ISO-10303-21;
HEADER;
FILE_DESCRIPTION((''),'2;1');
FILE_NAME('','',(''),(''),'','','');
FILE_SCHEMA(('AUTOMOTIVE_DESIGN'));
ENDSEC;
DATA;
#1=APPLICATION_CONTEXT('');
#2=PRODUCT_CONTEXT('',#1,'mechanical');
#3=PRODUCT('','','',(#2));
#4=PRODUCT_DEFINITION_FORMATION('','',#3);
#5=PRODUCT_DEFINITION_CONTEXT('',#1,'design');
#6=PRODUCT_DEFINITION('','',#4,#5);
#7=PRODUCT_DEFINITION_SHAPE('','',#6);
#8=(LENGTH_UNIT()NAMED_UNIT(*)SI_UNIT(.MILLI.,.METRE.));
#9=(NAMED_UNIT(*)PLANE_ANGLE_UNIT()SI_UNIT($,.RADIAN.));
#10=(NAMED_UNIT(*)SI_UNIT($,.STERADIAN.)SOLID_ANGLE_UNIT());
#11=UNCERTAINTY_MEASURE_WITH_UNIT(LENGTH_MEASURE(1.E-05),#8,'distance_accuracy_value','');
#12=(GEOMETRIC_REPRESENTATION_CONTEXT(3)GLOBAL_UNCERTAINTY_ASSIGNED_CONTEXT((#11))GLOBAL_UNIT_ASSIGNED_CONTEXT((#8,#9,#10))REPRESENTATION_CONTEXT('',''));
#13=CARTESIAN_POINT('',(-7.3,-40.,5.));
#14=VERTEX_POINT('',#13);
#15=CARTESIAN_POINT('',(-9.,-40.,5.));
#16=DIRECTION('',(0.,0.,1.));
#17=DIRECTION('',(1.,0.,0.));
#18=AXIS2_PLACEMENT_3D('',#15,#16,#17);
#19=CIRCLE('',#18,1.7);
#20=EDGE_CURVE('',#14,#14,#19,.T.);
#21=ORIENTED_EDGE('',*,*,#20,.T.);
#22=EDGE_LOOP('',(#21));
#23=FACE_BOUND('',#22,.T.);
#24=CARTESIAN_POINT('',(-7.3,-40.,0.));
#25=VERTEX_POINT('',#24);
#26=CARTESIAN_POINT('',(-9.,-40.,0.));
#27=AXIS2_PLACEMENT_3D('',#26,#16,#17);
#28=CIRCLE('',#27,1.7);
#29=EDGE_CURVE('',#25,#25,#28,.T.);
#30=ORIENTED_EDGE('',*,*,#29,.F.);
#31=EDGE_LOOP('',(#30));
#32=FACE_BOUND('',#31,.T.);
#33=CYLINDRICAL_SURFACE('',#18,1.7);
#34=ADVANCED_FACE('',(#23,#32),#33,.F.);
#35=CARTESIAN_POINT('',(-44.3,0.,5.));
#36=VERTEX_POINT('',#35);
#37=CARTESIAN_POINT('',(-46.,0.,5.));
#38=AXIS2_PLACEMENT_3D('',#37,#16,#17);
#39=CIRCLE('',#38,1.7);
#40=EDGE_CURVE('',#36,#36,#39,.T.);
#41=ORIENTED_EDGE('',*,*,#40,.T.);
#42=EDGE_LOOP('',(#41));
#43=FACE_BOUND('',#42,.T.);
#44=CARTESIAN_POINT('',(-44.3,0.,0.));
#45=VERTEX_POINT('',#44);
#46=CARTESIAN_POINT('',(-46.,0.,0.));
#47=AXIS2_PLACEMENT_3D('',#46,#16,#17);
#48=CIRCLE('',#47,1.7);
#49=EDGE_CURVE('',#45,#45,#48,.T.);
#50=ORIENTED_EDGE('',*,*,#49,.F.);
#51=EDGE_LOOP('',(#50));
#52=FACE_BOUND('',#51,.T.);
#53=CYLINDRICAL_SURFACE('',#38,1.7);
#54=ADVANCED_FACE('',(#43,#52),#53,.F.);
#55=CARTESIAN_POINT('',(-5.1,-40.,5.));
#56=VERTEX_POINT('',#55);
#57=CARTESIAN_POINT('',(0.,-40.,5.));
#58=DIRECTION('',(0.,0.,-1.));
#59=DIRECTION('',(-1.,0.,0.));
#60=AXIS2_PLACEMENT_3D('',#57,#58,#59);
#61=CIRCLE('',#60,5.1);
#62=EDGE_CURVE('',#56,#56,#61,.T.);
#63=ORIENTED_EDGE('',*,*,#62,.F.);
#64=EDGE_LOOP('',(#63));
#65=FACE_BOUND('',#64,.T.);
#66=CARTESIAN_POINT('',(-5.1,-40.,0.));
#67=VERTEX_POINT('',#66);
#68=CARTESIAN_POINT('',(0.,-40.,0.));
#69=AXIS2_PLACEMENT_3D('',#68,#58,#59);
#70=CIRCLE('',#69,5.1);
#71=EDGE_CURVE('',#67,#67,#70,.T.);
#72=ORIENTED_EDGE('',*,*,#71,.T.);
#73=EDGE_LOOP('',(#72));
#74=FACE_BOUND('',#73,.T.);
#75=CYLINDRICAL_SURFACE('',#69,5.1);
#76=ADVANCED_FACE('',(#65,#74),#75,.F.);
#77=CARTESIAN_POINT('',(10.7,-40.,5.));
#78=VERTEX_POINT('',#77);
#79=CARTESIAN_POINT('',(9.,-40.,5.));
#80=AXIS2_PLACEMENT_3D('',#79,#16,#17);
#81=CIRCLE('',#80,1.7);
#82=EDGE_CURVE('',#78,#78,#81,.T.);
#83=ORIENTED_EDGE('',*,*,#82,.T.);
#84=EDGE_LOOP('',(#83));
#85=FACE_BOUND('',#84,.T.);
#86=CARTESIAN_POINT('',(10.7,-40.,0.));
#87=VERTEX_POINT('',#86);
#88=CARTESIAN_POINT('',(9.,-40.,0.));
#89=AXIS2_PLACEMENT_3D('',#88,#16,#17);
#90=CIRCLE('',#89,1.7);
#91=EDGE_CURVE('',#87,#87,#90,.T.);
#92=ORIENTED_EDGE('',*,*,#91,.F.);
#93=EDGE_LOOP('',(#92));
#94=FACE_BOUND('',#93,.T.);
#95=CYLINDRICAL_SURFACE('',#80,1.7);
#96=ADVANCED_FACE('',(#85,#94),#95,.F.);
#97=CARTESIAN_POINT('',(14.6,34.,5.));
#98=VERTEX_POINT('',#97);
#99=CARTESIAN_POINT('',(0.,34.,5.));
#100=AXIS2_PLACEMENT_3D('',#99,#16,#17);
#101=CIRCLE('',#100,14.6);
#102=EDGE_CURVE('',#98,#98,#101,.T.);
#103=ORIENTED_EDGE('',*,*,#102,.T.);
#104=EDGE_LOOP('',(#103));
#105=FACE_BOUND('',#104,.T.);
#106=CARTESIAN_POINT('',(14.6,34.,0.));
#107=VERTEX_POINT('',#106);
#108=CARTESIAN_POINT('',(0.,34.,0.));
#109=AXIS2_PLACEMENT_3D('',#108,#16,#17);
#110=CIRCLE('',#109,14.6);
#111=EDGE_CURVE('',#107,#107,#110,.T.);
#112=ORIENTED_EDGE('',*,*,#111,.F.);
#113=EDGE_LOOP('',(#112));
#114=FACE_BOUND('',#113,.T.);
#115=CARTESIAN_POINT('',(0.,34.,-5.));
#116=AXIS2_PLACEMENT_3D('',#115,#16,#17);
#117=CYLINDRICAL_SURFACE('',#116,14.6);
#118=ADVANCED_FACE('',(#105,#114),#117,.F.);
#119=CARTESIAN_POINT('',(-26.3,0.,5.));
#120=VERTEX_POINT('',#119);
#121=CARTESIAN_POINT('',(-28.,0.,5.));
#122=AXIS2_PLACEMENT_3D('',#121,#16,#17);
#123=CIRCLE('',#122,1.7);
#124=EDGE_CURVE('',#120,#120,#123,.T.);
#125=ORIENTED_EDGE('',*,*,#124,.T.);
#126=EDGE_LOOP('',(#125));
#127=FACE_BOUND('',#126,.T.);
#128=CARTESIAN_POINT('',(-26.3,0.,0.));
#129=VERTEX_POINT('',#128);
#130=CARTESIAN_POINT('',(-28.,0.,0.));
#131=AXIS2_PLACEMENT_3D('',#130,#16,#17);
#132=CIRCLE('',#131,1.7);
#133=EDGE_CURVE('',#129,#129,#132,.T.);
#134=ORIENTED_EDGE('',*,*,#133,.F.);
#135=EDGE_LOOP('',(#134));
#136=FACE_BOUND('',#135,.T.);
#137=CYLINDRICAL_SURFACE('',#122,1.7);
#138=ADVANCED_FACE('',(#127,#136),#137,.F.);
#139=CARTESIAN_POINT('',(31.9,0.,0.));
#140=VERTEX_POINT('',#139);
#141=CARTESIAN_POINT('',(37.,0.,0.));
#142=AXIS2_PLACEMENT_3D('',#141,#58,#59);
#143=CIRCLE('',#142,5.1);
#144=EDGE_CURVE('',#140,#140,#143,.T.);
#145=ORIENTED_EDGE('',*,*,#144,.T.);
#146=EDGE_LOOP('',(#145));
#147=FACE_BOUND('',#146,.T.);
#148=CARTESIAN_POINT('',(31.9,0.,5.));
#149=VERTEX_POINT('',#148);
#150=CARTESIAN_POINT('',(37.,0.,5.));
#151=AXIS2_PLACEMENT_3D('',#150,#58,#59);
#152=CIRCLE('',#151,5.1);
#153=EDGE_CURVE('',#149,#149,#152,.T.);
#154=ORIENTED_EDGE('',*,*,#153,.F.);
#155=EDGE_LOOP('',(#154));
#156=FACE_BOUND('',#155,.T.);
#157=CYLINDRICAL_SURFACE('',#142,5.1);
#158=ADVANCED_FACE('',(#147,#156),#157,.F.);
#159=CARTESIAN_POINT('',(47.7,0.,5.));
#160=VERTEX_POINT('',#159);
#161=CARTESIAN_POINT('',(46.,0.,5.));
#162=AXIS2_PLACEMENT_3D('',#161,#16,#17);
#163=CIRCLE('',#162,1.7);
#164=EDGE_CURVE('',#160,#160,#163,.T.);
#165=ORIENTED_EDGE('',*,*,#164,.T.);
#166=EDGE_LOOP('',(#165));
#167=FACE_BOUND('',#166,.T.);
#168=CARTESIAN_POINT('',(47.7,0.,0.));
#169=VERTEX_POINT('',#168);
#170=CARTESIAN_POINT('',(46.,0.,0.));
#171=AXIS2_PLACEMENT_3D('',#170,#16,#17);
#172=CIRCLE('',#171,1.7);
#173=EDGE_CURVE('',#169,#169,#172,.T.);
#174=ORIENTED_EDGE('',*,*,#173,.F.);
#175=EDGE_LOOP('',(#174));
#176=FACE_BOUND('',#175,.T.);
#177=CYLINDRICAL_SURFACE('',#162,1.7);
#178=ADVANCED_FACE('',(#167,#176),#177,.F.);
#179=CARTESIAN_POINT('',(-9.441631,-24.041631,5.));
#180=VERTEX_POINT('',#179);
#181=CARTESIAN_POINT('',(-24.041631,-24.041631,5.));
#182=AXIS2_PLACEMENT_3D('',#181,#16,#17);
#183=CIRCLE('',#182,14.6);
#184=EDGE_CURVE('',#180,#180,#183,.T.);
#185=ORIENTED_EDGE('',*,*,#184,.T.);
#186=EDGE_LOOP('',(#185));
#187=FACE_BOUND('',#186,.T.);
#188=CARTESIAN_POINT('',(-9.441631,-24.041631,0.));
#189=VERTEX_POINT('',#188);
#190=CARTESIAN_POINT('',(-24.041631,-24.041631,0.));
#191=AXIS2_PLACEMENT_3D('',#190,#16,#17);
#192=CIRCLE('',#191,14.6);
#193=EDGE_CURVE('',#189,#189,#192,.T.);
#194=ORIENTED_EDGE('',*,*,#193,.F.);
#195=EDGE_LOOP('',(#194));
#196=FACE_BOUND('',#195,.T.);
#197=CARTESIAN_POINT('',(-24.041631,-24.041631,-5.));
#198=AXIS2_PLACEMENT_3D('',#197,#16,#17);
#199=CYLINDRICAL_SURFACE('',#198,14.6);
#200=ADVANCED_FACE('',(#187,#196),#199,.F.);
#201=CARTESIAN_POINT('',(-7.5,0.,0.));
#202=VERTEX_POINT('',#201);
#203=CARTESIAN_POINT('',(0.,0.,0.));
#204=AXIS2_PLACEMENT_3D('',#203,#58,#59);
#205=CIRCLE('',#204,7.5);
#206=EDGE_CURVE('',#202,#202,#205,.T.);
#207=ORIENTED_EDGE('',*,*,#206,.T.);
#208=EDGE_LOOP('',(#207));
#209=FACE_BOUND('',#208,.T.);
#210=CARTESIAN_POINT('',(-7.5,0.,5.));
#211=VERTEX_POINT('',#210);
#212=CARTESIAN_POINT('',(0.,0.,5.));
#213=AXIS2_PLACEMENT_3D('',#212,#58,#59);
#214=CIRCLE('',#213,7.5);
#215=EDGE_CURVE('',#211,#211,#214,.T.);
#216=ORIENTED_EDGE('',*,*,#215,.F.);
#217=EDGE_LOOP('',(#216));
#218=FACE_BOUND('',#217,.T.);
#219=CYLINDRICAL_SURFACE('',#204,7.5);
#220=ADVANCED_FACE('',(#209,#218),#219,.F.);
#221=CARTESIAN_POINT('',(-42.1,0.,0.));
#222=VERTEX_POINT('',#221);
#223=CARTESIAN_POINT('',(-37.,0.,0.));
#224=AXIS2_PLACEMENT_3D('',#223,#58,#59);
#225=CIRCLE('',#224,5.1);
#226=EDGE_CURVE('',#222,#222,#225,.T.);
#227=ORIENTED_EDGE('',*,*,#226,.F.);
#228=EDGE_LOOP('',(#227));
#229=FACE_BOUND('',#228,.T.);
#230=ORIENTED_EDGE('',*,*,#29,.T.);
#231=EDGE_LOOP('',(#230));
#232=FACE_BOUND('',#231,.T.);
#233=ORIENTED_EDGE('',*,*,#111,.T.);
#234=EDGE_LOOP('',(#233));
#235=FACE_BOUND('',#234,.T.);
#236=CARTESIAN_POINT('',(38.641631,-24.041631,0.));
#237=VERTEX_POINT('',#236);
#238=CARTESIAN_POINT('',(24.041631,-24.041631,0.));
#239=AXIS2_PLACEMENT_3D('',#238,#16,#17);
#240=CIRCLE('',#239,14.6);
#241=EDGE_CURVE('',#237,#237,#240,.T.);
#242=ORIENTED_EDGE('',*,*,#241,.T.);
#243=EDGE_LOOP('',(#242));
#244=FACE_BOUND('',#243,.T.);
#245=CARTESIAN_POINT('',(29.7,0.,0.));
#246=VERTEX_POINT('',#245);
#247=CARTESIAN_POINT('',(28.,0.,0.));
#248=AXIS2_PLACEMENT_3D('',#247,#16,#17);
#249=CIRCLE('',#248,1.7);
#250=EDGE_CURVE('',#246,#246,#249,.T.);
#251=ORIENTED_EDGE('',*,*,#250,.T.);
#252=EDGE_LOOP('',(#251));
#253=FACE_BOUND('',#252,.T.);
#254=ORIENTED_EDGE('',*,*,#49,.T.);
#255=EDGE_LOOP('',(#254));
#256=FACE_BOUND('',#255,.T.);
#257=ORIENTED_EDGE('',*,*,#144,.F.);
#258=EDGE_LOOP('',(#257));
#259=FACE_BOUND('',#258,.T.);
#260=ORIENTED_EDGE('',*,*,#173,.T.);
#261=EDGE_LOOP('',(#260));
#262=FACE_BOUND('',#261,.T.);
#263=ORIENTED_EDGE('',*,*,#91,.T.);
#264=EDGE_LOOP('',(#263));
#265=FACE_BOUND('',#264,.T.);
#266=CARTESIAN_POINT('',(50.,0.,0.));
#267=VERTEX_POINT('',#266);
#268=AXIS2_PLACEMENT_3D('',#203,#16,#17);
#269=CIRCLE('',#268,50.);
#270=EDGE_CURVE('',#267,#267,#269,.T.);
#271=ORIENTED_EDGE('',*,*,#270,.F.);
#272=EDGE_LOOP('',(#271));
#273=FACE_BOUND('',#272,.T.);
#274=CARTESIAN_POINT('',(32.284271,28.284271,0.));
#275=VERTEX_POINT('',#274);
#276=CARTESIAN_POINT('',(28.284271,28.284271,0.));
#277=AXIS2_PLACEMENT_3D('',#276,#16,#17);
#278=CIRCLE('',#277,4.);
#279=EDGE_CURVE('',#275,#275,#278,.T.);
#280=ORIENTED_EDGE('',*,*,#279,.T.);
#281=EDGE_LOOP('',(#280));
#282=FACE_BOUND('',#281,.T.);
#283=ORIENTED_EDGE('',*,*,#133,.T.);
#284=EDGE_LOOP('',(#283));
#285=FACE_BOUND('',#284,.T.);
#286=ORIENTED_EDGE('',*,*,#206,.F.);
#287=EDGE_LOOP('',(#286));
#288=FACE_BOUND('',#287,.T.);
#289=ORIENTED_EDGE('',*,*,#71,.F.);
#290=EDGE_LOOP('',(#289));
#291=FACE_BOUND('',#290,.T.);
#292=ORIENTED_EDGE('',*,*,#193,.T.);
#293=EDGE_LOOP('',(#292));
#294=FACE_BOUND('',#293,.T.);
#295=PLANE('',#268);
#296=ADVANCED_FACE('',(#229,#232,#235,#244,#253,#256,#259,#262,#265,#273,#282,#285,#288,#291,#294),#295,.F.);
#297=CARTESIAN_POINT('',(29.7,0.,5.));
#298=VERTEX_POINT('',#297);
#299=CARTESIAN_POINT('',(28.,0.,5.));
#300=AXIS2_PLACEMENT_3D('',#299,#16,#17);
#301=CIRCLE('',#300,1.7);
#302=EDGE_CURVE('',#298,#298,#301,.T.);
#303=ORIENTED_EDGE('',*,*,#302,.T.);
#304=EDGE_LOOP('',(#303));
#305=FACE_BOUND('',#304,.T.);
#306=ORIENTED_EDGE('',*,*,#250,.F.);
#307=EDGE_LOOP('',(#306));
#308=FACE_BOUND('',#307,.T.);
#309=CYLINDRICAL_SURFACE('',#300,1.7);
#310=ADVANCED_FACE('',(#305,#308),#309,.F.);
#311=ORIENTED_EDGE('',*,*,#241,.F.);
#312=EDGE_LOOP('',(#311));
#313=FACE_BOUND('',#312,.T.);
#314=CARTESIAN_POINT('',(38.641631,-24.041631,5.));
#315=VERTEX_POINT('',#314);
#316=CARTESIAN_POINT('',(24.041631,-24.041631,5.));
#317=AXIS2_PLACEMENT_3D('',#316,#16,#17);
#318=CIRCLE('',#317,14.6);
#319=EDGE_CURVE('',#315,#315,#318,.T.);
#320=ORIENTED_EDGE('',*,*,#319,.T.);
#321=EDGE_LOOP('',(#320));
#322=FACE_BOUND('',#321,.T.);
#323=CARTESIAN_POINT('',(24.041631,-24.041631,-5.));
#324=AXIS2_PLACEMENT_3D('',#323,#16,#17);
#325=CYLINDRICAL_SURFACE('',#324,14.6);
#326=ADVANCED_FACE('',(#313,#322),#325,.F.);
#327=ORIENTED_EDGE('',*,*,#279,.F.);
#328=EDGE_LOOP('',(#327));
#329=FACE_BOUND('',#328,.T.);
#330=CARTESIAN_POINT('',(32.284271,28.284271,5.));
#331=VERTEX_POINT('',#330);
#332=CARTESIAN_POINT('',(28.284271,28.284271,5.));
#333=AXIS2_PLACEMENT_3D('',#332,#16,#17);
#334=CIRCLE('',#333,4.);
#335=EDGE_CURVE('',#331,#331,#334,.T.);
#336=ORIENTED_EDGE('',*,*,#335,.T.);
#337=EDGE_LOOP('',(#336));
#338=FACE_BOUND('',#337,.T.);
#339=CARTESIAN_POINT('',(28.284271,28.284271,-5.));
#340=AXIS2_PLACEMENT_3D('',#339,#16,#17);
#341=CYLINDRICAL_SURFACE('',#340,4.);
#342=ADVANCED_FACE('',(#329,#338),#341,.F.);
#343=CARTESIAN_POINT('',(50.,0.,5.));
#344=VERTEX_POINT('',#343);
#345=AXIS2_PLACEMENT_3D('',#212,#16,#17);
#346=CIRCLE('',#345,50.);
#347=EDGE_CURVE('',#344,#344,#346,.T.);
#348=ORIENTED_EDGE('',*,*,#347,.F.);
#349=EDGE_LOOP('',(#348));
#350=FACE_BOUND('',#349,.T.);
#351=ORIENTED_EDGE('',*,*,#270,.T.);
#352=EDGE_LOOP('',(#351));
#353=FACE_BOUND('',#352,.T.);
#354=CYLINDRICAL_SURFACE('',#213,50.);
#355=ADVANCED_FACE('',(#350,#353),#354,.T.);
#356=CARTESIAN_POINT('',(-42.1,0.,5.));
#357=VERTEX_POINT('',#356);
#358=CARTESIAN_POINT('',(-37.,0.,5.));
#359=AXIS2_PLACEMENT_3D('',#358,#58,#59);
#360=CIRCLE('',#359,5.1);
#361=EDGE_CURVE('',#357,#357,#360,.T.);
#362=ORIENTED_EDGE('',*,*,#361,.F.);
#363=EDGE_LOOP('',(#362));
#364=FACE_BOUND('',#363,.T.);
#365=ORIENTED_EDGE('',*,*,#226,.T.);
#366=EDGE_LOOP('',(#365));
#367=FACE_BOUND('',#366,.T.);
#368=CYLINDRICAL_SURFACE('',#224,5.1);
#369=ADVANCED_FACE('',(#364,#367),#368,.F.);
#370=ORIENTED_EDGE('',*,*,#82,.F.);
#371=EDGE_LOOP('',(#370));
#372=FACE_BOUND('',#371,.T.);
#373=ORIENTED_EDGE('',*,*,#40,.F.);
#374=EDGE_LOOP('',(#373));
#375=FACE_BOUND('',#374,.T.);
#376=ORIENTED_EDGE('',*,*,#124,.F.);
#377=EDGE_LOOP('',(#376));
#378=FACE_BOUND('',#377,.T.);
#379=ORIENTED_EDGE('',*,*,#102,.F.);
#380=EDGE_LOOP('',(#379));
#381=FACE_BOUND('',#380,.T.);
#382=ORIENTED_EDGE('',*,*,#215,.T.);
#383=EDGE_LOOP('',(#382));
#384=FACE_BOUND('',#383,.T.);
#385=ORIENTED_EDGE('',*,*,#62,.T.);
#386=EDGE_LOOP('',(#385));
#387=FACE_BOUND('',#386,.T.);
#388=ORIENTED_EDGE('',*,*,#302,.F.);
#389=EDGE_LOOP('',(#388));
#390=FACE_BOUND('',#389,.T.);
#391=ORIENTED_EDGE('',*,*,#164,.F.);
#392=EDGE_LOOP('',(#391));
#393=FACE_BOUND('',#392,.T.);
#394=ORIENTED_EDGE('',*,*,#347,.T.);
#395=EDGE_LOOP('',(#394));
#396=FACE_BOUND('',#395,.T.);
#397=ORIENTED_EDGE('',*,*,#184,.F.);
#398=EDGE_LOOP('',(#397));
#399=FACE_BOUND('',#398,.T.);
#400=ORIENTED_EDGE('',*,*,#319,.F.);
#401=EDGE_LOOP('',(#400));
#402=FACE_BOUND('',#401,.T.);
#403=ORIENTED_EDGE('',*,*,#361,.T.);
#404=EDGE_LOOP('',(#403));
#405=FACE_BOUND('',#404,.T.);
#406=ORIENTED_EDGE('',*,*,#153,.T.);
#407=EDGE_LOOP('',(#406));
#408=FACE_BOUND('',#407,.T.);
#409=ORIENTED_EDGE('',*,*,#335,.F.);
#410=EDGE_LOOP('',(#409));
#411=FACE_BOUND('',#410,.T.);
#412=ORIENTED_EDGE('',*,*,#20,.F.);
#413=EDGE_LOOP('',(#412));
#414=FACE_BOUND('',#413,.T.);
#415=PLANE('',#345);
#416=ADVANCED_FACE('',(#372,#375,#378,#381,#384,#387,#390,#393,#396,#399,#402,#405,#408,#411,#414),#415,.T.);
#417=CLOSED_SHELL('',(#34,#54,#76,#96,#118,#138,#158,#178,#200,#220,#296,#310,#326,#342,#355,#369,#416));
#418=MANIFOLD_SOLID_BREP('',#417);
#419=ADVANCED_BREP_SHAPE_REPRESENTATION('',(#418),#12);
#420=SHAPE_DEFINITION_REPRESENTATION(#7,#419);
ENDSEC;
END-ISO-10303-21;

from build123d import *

# Parameters (mm, degrees)
SKETCH1_R                    = 50
BOSS_EXTRUDE1_DEPTH          = 5
F_15_0_15_DIAMETER_HOLE1_D   = 15
F_10_2_10_2_DIAMETER_HOLE1_D = 10.2
M3_CLEARANCE_HOLE1_D         = 3.4
SKETCH9_R                    = 14.6
CUT_EXTRUDE1_DEPTH           = 10
SKETCH10_R                   = 4
CUT_EXTRUDE2_DEPTH           = 10


with BuildPart() as part:
    # Sketch1 → Boss-Extrude1 (new body)
    with BuildSketch(Plane.XY):
        Circle(SKETCH1_R)
    extrude(amount=BOSS_EXTRUDE1_DEPTH)

    # Ø15.0 (15) Diameter Hole1 (through all)
    with Locations(Plane(origin=(0, 0, 0), x_dir=(-1, 0, 0), z_dir=(0, 0, -1))):
        with Locations((0, 0)):
            Hole(F_15_0_15_DIAMETER_HOLE1_D / 2)

    # Ø10.2 (10.2) Diameter Hole1 (through all)
    with Locations(Plane(origin=(0, 0, 0), x_dir=(-1, 0, 0), z_dir=(0, 0, -1))):
        with Locations((37, 0), (-37, 0), (0, -40)):
            Hole(F_10_2_10_2_DIAMETER_HOLE1_D / 2)

    # M3 Clearance Hole1 (through all)
    with Locations(Plane.XY.offset(5)):
        with Locations((46, 0), (28, 0), (9, -40), (-9, -40), (-46, 0), (-28, 0)):
            Hole(M3_CLEARANCE_HOLE1_D / 2)

    # Sketch9 → Cut-Extrude1 (cut)
    with BuildSketch(Plane.XY.offset(5)):
        with Locations((24.04163056, -24.04163056)):
            Circle(SKETCH9_R)
        with Locations((-24.04163056, -24.04163056)):
            Circle(SKETCH9_R)
        with Locations((0, 34)):
            Circle(SKETCH9_R)
    extrude(amount=-CUT_EXTRUDE1_DEPTH, mode=Mode.SUBTRACT)

    # Sketch10 → Cut-Extrude2 (cut)
    with BuildSketch(Plane.XY.offset(5)):
        with Locations((28.284271247, 28.284271247)):
            Circle(SKETCH10_R)
    extrude(amount=-CUT_EXTRUDE2_DEPTH, mode=Mode.SUBTRACT)


solid = part.part
